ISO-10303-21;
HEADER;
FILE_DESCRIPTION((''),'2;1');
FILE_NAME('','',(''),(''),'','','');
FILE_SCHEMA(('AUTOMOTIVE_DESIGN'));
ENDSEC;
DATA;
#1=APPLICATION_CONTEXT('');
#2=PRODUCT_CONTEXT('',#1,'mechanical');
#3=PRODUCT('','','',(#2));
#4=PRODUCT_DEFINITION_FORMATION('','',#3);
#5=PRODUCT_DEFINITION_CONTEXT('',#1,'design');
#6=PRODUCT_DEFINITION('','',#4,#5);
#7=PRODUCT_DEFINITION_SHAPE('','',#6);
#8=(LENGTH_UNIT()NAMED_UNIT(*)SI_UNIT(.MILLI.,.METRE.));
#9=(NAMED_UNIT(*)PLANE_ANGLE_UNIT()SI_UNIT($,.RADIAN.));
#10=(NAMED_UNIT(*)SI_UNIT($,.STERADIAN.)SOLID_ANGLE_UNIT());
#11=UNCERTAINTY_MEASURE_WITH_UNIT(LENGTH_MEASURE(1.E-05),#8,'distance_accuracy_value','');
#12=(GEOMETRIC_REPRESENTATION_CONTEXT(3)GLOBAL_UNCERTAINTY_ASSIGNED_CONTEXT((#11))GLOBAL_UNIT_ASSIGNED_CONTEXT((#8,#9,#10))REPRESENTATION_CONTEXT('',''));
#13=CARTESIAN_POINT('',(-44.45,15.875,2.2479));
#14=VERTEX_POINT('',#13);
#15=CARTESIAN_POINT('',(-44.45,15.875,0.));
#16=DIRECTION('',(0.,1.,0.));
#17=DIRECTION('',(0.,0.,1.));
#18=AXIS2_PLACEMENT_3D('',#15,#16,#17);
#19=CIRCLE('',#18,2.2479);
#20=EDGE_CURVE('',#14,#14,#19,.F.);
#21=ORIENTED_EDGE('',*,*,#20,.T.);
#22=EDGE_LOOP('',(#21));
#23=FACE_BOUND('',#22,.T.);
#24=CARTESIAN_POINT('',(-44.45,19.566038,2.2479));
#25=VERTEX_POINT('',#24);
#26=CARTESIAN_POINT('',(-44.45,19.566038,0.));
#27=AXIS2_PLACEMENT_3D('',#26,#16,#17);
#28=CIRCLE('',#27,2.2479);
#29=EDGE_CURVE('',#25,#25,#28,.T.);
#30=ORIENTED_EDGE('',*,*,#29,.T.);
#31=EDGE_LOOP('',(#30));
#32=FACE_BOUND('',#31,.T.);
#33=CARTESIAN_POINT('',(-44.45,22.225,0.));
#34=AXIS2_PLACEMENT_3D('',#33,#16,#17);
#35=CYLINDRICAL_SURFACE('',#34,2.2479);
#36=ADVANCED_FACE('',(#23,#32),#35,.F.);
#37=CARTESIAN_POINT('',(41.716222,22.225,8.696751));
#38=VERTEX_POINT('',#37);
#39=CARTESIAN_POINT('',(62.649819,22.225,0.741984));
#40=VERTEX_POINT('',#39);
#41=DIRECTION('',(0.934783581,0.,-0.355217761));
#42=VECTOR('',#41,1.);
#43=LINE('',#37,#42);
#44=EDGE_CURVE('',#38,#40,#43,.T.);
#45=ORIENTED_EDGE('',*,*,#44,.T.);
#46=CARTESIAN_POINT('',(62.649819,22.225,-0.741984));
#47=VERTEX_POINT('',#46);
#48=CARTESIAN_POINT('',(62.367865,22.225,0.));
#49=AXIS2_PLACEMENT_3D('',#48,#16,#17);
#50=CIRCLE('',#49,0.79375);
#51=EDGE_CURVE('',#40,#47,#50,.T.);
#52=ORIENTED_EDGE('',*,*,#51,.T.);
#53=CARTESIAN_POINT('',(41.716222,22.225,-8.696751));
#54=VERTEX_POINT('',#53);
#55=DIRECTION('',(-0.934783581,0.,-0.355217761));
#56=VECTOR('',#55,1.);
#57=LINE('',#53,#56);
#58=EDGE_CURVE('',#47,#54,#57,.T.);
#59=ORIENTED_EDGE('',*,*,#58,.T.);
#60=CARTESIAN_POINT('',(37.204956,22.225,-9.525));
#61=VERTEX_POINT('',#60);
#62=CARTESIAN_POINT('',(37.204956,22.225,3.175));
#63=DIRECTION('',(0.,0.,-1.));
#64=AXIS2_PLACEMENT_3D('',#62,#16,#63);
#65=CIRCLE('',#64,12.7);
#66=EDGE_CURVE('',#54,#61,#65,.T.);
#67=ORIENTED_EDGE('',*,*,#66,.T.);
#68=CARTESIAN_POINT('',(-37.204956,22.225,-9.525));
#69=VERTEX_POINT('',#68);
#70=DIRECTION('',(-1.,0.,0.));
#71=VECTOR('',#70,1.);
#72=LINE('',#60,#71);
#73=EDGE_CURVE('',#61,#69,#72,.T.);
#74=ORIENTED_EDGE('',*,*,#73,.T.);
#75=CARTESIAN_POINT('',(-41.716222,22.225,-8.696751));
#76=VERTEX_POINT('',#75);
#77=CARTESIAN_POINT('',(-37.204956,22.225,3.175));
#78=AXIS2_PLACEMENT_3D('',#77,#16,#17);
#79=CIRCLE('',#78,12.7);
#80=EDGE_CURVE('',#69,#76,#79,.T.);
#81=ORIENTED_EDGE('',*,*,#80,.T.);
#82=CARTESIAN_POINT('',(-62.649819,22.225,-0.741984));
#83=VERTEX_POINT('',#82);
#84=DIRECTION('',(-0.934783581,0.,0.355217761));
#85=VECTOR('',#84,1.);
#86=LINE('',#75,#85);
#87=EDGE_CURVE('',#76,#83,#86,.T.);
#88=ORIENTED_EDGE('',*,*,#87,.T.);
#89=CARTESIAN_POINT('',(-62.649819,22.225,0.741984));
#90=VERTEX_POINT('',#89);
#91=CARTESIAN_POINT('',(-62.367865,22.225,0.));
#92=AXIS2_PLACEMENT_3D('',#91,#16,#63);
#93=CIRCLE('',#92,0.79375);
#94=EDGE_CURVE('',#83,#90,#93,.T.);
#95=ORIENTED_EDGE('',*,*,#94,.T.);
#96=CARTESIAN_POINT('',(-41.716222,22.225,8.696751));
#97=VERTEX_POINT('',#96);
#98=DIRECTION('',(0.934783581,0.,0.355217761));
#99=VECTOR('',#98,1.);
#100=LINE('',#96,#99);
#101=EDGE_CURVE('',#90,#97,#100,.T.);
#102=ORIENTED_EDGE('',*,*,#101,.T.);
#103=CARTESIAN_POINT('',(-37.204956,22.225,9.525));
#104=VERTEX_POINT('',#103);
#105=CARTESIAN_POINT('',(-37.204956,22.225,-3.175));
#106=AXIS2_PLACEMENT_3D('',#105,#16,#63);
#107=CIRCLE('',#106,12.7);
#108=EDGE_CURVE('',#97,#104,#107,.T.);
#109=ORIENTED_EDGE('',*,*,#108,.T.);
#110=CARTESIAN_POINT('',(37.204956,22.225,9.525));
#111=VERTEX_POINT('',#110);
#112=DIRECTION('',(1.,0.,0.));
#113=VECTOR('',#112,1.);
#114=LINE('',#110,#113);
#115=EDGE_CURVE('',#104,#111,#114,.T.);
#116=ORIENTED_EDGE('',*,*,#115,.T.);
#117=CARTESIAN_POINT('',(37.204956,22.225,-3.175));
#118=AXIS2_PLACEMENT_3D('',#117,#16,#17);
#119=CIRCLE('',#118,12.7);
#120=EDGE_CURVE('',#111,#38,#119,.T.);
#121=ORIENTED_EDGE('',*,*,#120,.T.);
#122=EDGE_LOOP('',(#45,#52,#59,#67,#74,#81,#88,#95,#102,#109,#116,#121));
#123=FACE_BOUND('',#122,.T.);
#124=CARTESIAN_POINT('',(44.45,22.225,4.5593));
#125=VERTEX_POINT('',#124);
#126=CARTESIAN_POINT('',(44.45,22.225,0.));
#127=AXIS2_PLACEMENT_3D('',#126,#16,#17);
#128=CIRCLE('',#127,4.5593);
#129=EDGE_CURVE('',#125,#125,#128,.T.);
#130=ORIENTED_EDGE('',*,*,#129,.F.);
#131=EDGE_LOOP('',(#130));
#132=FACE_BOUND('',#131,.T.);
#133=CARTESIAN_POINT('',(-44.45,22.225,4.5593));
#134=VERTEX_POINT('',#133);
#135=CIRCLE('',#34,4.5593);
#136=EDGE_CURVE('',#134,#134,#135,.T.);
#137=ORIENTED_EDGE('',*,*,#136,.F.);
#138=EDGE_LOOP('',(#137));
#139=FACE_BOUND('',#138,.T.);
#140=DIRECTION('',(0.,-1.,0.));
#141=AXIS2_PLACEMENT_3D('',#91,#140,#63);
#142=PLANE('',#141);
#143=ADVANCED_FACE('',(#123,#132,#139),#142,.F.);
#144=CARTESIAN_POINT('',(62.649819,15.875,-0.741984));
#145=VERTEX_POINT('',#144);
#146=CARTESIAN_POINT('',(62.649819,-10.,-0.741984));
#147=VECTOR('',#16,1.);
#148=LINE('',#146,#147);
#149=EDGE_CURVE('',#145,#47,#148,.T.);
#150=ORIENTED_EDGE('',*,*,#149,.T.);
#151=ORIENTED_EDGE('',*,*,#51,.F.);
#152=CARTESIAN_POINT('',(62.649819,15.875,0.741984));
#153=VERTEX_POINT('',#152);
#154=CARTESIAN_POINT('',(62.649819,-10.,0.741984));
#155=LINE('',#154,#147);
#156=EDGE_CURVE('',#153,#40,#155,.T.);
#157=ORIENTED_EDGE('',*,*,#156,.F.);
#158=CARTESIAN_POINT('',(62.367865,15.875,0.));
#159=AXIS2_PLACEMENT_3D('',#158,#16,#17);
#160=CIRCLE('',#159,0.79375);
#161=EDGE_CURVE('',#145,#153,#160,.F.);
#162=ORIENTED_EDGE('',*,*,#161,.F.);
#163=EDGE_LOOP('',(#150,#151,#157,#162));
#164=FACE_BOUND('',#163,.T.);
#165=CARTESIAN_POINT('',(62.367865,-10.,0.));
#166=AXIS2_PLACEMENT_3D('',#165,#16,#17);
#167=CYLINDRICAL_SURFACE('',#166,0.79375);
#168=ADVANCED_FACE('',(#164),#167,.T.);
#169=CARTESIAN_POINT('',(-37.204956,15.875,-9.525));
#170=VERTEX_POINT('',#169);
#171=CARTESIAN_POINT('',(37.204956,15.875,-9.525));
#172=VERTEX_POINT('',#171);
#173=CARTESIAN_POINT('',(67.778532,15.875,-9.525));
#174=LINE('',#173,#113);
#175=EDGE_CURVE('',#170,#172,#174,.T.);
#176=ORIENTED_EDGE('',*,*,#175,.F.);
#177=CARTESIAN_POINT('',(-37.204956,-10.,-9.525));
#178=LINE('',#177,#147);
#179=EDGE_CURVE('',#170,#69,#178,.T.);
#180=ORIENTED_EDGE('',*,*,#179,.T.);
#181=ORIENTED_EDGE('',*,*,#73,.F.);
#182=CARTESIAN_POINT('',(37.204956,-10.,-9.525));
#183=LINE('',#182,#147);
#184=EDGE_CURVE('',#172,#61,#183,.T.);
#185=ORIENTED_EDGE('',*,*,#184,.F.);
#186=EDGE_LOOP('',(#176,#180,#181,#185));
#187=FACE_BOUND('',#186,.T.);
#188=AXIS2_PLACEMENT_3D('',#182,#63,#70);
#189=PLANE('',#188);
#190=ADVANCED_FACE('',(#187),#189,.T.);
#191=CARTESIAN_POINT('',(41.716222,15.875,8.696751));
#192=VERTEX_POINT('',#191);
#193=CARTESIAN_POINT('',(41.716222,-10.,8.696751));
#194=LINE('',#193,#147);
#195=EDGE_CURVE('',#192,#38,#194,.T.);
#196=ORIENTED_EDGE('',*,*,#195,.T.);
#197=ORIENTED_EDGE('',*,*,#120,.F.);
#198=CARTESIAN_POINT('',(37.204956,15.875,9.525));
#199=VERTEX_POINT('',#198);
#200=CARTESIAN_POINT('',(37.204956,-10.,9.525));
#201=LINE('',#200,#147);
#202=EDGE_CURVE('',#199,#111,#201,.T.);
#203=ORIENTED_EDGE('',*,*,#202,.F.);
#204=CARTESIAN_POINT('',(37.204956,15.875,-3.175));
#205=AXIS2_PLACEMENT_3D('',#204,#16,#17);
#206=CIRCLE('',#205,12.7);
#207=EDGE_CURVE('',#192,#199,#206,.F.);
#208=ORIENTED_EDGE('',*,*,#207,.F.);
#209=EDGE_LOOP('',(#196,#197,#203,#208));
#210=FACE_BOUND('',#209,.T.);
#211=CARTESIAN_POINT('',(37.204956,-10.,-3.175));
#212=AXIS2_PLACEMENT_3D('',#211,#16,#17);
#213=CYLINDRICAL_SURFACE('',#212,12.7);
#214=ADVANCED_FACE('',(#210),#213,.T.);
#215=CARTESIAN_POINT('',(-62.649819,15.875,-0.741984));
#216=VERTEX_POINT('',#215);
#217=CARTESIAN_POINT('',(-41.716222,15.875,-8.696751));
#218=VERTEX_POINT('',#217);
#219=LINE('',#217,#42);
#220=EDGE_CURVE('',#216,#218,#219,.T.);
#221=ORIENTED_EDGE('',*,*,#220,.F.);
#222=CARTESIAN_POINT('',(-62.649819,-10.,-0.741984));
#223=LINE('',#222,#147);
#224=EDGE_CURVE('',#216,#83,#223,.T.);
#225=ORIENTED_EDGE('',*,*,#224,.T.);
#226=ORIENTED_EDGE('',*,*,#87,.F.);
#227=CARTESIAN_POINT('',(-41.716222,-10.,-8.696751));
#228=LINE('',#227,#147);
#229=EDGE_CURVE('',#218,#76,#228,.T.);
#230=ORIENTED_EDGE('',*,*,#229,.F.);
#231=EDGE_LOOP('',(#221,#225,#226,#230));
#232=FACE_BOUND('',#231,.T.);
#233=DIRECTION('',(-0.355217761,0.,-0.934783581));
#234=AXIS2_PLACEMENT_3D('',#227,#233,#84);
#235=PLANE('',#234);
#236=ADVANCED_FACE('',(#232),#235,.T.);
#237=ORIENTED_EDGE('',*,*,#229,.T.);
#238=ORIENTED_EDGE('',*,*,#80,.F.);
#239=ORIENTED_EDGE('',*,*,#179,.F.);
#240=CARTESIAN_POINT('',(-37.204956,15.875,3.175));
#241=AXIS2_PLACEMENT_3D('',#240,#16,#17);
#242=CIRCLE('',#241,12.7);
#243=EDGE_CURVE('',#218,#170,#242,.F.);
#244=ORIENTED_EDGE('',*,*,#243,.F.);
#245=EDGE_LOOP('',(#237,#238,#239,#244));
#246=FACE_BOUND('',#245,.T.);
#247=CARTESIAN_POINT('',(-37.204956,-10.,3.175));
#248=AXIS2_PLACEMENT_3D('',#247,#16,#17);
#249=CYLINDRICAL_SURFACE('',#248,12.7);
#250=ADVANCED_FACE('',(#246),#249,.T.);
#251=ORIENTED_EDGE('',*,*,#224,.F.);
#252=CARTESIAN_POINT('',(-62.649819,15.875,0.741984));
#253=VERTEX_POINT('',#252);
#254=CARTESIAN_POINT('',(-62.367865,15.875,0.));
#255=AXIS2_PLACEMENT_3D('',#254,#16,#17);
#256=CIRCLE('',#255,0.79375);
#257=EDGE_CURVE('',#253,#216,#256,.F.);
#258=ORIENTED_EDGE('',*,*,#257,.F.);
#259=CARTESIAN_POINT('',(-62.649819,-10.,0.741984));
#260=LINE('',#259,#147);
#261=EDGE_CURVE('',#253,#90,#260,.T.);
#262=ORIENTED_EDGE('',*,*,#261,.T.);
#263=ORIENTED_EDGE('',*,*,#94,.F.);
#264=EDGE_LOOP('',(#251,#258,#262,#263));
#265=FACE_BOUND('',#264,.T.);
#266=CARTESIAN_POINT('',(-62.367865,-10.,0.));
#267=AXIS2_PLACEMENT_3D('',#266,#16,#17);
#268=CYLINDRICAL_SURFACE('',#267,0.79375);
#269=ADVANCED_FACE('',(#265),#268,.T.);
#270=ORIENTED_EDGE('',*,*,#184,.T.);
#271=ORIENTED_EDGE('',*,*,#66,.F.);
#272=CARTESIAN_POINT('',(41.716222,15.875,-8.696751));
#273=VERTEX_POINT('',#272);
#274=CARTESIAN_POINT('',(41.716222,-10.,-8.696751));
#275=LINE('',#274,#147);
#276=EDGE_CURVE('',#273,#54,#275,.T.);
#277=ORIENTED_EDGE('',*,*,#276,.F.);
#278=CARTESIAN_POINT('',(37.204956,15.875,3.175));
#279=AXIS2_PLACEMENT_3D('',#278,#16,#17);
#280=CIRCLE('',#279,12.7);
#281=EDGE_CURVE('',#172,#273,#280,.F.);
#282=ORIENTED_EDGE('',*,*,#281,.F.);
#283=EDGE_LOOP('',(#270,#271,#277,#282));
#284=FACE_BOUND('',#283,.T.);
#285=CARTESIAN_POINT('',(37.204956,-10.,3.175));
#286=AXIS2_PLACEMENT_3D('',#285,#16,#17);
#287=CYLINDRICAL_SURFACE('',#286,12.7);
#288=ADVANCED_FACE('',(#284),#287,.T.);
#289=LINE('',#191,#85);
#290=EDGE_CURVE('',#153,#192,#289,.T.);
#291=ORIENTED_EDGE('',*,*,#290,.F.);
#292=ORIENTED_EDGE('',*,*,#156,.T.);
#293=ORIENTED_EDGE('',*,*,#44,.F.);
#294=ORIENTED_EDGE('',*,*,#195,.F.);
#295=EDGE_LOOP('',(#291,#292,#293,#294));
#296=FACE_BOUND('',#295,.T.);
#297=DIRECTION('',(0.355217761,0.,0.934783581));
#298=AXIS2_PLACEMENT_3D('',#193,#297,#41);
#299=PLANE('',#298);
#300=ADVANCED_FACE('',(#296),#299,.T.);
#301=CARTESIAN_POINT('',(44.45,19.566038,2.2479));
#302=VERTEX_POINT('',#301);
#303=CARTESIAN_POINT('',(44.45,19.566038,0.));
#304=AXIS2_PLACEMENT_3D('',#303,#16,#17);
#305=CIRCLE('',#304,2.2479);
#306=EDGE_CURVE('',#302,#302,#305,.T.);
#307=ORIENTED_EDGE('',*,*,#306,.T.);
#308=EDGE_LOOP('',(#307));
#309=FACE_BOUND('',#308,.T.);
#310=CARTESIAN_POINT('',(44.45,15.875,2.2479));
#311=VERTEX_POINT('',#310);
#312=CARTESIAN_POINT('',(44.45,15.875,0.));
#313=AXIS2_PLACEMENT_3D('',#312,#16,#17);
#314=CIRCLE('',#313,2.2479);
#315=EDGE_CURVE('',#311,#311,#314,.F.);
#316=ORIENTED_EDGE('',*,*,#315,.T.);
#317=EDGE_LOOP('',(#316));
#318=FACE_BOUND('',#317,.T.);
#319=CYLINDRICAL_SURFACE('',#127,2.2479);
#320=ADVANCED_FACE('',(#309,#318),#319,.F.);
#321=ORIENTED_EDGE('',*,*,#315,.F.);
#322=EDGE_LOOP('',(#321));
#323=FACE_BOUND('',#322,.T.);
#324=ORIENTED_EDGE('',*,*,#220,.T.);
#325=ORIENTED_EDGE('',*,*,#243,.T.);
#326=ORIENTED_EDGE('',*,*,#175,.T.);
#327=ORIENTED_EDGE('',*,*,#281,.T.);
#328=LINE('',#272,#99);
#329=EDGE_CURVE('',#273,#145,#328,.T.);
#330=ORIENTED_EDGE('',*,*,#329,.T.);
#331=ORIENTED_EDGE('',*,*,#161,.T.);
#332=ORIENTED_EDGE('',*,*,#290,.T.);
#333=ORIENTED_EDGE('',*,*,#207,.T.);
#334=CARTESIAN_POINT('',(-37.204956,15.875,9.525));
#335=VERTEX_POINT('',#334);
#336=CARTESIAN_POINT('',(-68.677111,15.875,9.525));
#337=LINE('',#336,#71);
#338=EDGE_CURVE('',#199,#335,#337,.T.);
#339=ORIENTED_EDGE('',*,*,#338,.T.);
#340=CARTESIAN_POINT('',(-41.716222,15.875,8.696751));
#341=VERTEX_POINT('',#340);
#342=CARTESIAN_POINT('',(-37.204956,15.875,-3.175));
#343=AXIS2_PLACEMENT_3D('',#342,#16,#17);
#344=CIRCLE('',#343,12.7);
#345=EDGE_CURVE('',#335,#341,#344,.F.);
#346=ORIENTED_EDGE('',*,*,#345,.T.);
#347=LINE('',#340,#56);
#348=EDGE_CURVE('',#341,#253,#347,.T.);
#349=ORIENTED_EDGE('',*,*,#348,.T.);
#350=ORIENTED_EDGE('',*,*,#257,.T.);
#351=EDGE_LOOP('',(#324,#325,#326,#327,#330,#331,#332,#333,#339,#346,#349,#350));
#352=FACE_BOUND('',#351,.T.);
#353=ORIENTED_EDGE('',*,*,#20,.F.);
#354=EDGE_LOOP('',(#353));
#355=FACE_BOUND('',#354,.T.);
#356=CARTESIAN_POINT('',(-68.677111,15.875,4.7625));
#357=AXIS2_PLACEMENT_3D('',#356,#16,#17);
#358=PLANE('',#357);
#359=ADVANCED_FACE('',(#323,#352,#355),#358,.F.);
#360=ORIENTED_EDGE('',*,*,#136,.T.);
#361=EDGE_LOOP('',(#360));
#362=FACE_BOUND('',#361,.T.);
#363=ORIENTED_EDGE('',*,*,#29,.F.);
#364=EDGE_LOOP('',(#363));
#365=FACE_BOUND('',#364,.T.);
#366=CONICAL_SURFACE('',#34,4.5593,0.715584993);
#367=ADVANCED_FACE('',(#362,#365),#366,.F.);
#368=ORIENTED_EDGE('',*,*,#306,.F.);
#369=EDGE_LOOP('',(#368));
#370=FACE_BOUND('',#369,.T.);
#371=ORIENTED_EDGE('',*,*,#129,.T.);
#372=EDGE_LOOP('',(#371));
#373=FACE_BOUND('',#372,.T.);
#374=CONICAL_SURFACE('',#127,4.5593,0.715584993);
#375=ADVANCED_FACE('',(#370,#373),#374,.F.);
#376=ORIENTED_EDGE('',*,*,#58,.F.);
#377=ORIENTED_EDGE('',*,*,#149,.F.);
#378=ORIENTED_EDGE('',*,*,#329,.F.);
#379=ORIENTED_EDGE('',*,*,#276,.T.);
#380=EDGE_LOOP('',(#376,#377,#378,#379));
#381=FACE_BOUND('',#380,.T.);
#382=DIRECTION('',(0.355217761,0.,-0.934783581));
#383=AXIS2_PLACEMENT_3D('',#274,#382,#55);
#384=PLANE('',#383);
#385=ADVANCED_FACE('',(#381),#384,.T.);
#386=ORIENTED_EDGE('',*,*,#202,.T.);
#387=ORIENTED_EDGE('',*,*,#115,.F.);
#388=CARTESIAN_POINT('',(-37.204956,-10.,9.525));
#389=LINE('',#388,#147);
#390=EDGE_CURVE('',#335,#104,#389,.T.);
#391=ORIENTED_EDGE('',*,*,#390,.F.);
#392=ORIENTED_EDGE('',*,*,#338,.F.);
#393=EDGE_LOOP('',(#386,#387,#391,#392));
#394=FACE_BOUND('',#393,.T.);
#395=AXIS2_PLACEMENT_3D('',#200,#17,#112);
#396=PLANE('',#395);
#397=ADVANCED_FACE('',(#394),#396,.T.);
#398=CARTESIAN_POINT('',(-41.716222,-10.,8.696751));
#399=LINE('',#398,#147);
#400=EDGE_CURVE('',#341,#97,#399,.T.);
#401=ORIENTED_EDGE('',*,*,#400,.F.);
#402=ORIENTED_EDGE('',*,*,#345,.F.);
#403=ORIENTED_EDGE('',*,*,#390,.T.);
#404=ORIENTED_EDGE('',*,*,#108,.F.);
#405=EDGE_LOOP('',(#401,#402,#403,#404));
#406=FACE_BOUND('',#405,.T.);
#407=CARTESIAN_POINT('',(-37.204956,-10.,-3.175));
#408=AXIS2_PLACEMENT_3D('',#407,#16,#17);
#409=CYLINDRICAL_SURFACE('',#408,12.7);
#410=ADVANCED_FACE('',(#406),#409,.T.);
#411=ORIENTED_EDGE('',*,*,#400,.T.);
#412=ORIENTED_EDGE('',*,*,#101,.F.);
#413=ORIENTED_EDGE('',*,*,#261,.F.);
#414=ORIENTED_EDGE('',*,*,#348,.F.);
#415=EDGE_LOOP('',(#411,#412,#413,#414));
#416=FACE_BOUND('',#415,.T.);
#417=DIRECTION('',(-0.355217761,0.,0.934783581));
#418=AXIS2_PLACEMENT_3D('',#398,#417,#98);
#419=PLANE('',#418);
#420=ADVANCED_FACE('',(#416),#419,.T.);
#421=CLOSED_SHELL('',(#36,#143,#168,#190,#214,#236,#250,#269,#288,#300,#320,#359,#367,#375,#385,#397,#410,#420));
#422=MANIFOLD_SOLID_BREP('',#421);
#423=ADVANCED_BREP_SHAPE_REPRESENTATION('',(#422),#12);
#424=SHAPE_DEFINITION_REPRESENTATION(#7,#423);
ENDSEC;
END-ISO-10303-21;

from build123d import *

# Parameters (mm, degrees)
BOSS_EXTRUDE2_DEPTH                               = 22.225
BOSS_EXTRUDE2_DEPTH_BACK                          = 10
SKETCH2_W                                         = 153.14353988
SKETCH2_H                                         = 6.35
CUT_EXTRUDE1_DEPTH                                = 4.7625
SKETCH3_W                                         = 152.758434582
SKETCH3_H                                         = 6.35
CUT_EXTRUDE2_DEPTH                                = 4.7625
FILLET3_R                                         = 12.7
FILLET4_R                                         = 12.7
FILLET5_R                                         = 12.7
FILLET6_R                                         = 12.7
CUT_EXTRUDE3_DEPTH                                = 94.675
CUT_EXTRUDE3_DEPTH_BACK                           = 84.675
SKETCH12_R                                        = 168.402
CSK_FOR_8_FLAT_HEAD_SOCKET_CAP_SCREW2_D           = 4.4958
CSK_FOR_8_FLAT_HEAD_SOCKET_CAP_SCREW2_CSINK_D     = 9.1186
CSK_FOR_8_FLAT_HEAD_SOCKET_CAP_SCREW2_CSINK_ANGLE = 82
SKETCH24_W                                        = 181.235061551
SKETCH24_H                                        = 69.255288946
CUT_EXTRUDE5_DEPTH                                = 84.675


with BuildPart() as part:
    # Sketch1 → Boss-Extrude2 (new, two sides: drawn at the far end of the back side and taken through both)
    with BuildSketch(Plane(origin=(0, 0, 0), x_dir=(1, 0, 0), z_dir=(0, 1, 0)).offset(-BOSS_EXTRUDE2_DEPTH_BACK)):
        with BuildLine():
            Line((37.204956004, 9.525), (-37.204956004, 9.525))
            ThreePointArc((-37.204956004, 9.525), (-39.498289417, 9.316221792), (-41.716221563, 8.696751473))
            Line((-41.716221563, 8.696751473), (-62.649818949, 0.741984467))
            ThreePointArc((-62.649818949, 0.741984467), (-63.161614851, 0), (-62.649818949, -0.741984467))
            Line((-62.649818949, -0.741984467), (-41.716221563, -8.696751473))
            ThreePointArc((-41.716221563, -8.696751473), (-39.498289417, -9.316221792), (-37.204956004, -9.525))
            Line((-37.204956004, -9.525), (37.204956004, -9.525))
            ThreePointArc((37.204956004, -9.525), (39.498289417, -9.316221792), (41.716221563, -8.696751473))
            Line((41.716221563, -8.696751473), (62.649818949, -0.741984467))
            ThreePointArc((62.649818949, -0.741984467), (63.161614851, 0), (62.649818949, 0.741984467))
            Line((62.649818949, 0.741984467), (41.716221563, 8.696751473))
            ThreePointArc((41.716221563, 8.696751473), (39.498289417, 9.316221792), (37.204956004, 9.525))
        make_face()
    extrude(amount=BOSS_EXTRUDE2_DEPTH + BOSS_EXTRUDE2_DEPTH_BACK)

    # Sketch2 → Cut-Extrude1 (cut)
    with BuildSketch(Plane.XY.offset(9.525)):
        with Locations((7.894658594, 12.7)):
            Rectangle(SKETCH2_W, SKETCH2_H)
    extrude(amount=-CUT_EXTRUDE1_DEPTH, mode=Mode.SUBTRACT)

    # Sketch3 → Cut-Extrude2 (cut)
    with BuildSketch(Plane(origin=(0, 0, -9.525), x_dir=(-1, 0, 0), z_dir=(0, 0, -1))):
        with Locations((8.600684972, 12.7)):
            Rectangle(SKETCH3_W, SKETCH3_H)
    extrude(amount=-CUT_EXTRUDE2_DEPTH, mode=Mode.SUBTRACT)

    # Fillet3
    fillet3_edges = [part.edges().sort_by_distance(p)[0] for p in [
        (52.069514915, 12.7, -4.7625),
    ]]
    fillet(fillet3_edges, radius=FILLET3_R)

    # Fillet4
    fillet4_edges = [part.edges().sort_by_distance(p)[0] for p in [
        (52.069514915, 12.7, 4.7625),
    ]]
    fillet(fillet4_edges, radius=FILLET4_R)

    # Fillet5
    fillet5_edges = [part.edges().sort_by_distance(p)[0] for p in [
        (-52.069514915, 12.7, 4.7625),
    ]]
    fillet(fillet5_edges, radius=FILLET5_R)

    # Fillet6
    fillet6_edges = [part.edges().sort_by_distance(p)[0] for p in [
        (-52.069514915, 12.7, -4.7625),
    ]]
    fillet(fillet6_edges, radius=FILLET6_R)

    # Sketch12 → Cut-Extrude3 (cut, two sides: drawn at the far end of the back side and taken through both)
    with BuildSketch(Plane(origin=(0, 0, 0), x_dir=(0, 0, -1), z_dir=(1, 0, 0)).offset(-CUT_EXTRUDE3_DEPTH_BACK)):
        with Locations((0, -168.402)):
            Circle(SKETCH12_R)
    extrude(amount=CUT_EXTRUDE3_DEPTH + CUT_EXTRUDE3_DEPTH_BACK, mode=Mode.SUBTRACT)

    # CSK for #8 Flat Head Socket Cap Screw2 (through all)
    with Locations(Plane(origin=(0, 22.225, 0), x_dir=(1, 0, 0), z_dir=(0, 1, 0))):
        with Locations((-44.45, 0), (44.45, 0)):
            CounterSinkHole(CSK_FOR_8_FLAT_HEAD_SOCKET_CAP_SCREW2_D / 2, CSK_FOR_8_FLAT_HEAD_SOCKET_CAP_SCREW2_CSINK_D / 2, counter_sink_angle=CSK_FOR_8_FLAT_HEAD_SOCKET_CAP_SCREW2_CSINK_ANGLE)

    # Sketch24 → Cut-Extrude5 (cut)
    with BuildSketch(Plane(origin=(0, 15.875, 0), x_dir=(1, 0, 0), z_dir=(0, 1, 0))):
        with Locations((3.936847216, -3.169453317)):
            Rectangle(SKETCH24_W, SKETCH24_H)
    extrude(amount=-CUT_EXTRUDE5_DEPTH, mode=Mode.SUBTRACT)


solid = part.part
